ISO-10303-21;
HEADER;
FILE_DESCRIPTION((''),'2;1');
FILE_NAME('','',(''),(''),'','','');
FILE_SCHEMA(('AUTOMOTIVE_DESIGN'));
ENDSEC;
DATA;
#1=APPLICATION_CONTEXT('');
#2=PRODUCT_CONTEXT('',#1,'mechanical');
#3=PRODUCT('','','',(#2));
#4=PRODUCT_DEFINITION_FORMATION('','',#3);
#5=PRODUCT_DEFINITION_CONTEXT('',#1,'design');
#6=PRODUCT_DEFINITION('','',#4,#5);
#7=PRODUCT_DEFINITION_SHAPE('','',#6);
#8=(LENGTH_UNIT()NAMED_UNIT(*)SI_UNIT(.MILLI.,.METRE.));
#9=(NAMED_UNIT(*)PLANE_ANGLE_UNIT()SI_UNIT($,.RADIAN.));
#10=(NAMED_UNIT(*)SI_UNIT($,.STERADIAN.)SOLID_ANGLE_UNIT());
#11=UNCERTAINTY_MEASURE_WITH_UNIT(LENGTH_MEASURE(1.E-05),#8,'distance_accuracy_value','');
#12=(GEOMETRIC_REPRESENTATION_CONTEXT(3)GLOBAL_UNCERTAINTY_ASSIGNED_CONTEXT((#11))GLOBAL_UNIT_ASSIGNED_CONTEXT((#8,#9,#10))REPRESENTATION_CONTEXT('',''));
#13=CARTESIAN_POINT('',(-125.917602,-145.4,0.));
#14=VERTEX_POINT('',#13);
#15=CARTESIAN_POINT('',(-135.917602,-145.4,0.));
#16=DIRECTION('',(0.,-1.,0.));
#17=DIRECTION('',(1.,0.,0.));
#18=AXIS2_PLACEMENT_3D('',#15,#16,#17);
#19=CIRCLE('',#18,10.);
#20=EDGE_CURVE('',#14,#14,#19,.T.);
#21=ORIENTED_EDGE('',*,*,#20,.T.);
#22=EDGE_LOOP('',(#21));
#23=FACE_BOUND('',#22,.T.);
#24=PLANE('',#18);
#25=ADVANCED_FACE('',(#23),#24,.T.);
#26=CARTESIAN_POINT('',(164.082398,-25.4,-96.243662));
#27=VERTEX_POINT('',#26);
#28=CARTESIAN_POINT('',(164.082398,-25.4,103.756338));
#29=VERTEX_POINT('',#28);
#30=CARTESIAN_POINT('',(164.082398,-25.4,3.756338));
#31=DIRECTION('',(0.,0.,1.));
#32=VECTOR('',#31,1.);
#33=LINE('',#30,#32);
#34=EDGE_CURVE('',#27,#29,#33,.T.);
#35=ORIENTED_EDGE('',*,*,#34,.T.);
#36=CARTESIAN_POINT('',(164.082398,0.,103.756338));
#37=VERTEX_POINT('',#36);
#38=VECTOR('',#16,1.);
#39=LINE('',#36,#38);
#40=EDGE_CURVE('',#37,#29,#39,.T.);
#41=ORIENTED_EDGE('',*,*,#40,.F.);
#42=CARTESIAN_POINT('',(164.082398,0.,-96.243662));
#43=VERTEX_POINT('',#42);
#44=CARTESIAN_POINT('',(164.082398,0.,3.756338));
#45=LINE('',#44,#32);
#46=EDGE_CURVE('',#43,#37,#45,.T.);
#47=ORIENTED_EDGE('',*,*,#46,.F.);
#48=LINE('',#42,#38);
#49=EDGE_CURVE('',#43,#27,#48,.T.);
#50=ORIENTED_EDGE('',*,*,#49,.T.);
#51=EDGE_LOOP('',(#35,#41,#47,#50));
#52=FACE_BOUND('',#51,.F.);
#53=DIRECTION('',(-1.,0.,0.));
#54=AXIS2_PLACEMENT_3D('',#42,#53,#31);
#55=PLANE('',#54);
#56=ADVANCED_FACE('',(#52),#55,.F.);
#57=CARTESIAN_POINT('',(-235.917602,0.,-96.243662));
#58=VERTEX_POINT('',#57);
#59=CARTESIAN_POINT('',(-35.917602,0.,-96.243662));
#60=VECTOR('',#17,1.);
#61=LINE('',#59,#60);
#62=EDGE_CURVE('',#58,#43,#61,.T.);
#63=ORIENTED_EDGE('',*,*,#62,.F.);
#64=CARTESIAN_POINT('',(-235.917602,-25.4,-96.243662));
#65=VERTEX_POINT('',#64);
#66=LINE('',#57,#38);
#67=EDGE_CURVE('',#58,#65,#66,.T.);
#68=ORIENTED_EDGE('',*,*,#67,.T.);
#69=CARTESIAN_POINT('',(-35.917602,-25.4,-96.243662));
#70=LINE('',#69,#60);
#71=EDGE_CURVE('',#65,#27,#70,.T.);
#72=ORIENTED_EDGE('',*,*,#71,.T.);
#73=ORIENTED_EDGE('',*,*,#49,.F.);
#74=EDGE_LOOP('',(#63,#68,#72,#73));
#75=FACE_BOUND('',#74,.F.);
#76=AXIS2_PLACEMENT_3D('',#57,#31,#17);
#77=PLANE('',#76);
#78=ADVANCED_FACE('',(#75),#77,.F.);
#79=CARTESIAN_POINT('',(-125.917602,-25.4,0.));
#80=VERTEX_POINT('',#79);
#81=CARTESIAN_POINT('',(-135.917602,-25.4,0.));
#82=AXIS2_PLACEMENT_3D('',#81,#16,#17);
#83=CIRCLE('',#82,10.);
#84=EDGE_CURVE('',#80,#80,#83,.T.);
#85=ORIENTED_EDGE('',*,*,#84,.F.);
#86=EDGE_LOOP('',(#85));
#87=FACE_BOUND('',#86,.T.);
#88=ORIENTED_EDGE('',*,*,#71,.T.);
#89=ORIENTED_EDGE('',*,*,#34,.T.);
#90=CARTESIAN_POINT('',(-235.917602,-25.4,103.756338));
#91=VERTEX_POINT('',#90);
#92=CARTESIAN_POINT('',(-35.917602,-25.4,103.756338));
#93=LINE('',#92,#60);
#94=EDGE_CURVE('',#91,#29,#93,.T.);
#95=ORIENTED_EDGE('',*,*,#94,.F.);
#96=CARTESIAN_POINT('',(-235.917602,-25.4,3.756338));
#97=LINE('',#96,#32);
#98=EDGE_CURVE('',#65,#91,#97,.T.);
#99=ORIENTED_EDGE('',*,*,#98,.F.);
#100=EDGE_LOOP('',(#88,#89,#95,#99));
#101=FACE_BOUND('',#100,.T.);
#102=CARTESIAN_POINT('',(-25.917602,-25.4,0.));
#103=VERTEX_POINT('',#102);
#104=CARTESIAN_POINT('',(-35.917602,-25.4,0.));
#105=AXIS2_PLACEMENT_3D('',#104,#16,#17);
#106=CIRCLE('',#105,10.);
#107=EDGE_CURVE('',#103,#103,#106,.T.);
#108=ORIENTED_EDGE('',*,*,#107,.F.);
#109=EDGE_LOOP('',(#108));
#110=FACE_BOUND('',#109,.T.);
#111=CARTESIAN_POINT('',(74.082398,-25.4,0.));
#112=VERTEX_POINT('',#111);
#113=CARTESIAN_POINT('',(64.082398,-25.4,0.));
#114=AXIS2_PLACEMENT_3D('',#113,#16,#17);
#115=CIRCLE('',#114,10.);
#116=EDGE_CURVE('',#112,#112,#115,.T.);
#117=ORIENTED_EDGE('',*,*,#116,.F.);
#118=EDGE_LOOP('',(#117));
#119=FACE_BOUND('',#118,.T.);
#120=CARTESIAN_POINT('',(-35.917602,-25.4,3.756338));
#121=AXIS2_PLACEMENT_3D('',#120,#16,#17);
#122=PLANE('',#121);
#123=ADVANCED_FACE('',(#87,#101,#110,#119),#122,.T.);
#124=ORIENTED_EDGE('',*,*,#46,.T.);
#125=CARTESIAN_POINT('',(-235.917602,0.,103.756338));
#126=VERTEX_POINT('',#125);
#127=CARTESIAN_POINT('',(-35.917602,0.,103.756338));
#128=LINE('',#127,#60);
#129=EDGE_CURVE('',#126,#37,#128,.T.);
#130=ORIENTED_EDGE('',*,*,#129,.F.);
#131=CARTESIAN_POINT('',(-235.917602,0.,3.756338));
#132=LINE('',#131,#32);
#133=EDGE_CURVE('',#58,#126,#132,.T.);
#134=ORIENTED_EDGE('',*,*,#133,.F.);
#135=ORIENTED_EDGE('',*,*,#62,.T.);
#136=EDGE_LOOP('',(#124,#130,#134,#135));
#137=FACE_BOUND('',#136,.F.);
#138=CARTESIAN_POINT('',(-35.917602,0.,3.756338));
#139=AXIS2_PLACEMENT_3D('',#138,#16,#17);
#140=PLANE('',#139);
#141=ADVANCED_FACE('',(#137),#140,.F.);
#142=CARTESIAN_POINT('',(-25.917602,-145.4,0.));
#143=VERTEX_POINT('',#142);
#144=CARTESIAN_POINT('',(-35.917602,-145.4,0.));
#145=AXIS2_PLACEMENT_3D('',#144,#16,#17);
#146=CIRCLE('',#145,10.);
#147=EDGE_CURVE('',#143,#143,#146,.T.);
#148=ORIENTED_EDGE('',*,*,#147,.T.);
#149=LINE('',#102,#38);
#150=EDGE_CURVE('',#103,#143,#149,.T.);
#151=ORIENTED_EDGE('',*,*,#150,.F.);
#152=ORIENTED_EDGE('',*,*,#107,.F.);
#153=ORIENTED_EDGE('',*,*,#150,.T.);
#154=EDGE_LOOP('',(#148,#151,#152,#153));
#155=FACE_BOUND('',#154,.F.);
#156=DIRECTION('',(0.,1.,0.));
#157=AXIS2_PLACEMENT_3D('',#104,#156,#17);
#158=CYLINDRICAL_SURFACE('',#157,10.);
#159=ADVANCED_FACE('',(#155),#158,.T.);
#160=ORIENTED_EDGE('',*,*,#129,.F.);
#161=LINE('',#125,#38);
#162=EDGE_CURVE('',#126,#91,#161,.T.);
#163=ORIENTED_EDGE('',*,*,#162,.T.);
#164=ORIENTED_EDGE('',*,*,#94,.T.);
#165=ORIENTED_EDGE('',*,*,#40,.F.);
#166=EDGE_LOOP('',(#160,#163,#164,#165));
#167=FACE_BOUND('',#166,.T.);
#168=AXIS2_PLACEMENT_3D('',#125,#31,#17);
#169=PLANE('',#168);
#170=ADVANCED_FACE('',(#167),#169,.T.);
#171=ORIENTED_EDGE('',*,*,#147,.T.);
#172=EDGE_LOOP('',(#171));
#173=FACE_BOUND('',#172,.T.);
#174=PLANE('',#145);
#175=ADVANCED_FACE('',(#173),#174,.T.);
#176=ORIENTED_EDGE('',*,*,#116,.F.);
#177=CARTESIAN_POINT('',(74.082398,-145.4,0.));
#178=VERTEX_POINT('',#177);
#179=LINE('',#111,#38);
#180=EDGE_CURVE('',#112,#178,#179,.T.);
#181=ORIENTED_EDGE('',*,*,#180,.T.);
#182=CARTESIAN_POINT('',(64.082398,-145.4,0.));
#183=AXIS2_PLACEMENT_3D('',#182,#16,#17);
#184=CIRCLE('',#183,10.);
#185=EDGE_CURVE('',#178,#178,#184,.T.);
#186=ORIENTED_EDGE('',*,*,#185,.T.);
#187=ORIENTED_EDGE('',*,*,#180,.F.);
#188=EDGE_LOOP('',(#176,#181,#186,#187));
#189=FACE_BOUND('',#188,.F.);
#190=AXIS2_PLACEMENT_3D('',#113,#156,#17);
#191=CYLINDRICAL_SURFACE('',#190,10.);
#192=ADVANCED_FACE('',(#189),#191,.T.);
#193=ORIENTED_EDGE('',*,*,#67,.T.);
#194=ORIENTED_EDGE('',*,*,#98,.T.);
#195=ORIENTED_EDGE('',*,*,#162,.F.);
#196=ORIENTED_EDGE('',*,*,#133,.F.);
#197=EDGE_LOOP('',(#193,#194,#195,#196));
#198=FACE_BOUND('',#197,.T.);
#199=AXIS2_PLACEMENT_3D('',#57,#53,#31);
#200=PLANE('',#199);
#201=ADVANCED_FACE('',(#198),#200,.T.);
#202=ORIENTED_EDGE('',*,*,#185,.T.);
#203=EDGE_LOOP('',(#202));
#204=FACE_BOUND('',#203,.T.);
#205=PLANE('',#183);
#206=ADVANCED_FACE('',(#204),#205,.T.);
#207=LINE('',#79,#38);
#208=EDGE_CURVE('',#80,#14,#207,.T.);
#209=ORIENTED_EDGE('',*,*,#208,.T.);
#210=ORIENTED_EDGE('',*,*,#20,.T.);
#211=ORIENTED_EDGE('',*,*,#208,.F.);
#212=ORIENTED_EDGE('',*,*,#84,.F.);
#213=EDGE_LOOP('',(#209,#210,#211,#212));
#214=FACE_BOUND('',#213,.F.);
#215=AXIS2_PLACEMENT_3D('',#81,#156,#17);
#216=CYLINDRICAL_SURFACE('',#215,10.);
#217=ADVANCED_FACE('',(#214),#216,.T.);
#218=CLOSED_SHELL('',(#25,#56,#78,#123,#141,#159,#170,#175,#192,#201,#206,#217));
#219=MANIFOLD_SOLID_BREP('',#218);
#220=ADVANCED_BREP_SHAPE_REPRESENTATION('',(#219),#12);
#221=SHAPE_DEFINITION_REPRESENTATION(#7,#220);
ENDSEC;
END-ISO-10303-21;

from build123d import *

# Parameters (mm, degrees)
F0_W     = 400
F0_H     = 200
F1_DEPTH = 25.4
F2_R     = 10
F3_DEPTH = 120


with BuildPart() as f1:
    # F0 (on Front) → F1 (new body)
    with BuildSketch(Plane.XZ):
        with Locations((-35.917602, 3.756338)):
            Rectangle(F0_W, F0_H)
    extrude(amount=F1_DEPTH)

    # F2 (on face) → F3 (join)
    with BuildSketch(Plane.XZ.offset(25.4)):
        with Locations((-135.917602, 0)):
            Circle(F2_R)
        with Locations((-35.917602, 0)):
            Circle(F2_R)
        with Locations((64.082398, 0)):
            Circle(F2_R)
    extrude(amount=F3_DEPTH)


solid = f1.part
